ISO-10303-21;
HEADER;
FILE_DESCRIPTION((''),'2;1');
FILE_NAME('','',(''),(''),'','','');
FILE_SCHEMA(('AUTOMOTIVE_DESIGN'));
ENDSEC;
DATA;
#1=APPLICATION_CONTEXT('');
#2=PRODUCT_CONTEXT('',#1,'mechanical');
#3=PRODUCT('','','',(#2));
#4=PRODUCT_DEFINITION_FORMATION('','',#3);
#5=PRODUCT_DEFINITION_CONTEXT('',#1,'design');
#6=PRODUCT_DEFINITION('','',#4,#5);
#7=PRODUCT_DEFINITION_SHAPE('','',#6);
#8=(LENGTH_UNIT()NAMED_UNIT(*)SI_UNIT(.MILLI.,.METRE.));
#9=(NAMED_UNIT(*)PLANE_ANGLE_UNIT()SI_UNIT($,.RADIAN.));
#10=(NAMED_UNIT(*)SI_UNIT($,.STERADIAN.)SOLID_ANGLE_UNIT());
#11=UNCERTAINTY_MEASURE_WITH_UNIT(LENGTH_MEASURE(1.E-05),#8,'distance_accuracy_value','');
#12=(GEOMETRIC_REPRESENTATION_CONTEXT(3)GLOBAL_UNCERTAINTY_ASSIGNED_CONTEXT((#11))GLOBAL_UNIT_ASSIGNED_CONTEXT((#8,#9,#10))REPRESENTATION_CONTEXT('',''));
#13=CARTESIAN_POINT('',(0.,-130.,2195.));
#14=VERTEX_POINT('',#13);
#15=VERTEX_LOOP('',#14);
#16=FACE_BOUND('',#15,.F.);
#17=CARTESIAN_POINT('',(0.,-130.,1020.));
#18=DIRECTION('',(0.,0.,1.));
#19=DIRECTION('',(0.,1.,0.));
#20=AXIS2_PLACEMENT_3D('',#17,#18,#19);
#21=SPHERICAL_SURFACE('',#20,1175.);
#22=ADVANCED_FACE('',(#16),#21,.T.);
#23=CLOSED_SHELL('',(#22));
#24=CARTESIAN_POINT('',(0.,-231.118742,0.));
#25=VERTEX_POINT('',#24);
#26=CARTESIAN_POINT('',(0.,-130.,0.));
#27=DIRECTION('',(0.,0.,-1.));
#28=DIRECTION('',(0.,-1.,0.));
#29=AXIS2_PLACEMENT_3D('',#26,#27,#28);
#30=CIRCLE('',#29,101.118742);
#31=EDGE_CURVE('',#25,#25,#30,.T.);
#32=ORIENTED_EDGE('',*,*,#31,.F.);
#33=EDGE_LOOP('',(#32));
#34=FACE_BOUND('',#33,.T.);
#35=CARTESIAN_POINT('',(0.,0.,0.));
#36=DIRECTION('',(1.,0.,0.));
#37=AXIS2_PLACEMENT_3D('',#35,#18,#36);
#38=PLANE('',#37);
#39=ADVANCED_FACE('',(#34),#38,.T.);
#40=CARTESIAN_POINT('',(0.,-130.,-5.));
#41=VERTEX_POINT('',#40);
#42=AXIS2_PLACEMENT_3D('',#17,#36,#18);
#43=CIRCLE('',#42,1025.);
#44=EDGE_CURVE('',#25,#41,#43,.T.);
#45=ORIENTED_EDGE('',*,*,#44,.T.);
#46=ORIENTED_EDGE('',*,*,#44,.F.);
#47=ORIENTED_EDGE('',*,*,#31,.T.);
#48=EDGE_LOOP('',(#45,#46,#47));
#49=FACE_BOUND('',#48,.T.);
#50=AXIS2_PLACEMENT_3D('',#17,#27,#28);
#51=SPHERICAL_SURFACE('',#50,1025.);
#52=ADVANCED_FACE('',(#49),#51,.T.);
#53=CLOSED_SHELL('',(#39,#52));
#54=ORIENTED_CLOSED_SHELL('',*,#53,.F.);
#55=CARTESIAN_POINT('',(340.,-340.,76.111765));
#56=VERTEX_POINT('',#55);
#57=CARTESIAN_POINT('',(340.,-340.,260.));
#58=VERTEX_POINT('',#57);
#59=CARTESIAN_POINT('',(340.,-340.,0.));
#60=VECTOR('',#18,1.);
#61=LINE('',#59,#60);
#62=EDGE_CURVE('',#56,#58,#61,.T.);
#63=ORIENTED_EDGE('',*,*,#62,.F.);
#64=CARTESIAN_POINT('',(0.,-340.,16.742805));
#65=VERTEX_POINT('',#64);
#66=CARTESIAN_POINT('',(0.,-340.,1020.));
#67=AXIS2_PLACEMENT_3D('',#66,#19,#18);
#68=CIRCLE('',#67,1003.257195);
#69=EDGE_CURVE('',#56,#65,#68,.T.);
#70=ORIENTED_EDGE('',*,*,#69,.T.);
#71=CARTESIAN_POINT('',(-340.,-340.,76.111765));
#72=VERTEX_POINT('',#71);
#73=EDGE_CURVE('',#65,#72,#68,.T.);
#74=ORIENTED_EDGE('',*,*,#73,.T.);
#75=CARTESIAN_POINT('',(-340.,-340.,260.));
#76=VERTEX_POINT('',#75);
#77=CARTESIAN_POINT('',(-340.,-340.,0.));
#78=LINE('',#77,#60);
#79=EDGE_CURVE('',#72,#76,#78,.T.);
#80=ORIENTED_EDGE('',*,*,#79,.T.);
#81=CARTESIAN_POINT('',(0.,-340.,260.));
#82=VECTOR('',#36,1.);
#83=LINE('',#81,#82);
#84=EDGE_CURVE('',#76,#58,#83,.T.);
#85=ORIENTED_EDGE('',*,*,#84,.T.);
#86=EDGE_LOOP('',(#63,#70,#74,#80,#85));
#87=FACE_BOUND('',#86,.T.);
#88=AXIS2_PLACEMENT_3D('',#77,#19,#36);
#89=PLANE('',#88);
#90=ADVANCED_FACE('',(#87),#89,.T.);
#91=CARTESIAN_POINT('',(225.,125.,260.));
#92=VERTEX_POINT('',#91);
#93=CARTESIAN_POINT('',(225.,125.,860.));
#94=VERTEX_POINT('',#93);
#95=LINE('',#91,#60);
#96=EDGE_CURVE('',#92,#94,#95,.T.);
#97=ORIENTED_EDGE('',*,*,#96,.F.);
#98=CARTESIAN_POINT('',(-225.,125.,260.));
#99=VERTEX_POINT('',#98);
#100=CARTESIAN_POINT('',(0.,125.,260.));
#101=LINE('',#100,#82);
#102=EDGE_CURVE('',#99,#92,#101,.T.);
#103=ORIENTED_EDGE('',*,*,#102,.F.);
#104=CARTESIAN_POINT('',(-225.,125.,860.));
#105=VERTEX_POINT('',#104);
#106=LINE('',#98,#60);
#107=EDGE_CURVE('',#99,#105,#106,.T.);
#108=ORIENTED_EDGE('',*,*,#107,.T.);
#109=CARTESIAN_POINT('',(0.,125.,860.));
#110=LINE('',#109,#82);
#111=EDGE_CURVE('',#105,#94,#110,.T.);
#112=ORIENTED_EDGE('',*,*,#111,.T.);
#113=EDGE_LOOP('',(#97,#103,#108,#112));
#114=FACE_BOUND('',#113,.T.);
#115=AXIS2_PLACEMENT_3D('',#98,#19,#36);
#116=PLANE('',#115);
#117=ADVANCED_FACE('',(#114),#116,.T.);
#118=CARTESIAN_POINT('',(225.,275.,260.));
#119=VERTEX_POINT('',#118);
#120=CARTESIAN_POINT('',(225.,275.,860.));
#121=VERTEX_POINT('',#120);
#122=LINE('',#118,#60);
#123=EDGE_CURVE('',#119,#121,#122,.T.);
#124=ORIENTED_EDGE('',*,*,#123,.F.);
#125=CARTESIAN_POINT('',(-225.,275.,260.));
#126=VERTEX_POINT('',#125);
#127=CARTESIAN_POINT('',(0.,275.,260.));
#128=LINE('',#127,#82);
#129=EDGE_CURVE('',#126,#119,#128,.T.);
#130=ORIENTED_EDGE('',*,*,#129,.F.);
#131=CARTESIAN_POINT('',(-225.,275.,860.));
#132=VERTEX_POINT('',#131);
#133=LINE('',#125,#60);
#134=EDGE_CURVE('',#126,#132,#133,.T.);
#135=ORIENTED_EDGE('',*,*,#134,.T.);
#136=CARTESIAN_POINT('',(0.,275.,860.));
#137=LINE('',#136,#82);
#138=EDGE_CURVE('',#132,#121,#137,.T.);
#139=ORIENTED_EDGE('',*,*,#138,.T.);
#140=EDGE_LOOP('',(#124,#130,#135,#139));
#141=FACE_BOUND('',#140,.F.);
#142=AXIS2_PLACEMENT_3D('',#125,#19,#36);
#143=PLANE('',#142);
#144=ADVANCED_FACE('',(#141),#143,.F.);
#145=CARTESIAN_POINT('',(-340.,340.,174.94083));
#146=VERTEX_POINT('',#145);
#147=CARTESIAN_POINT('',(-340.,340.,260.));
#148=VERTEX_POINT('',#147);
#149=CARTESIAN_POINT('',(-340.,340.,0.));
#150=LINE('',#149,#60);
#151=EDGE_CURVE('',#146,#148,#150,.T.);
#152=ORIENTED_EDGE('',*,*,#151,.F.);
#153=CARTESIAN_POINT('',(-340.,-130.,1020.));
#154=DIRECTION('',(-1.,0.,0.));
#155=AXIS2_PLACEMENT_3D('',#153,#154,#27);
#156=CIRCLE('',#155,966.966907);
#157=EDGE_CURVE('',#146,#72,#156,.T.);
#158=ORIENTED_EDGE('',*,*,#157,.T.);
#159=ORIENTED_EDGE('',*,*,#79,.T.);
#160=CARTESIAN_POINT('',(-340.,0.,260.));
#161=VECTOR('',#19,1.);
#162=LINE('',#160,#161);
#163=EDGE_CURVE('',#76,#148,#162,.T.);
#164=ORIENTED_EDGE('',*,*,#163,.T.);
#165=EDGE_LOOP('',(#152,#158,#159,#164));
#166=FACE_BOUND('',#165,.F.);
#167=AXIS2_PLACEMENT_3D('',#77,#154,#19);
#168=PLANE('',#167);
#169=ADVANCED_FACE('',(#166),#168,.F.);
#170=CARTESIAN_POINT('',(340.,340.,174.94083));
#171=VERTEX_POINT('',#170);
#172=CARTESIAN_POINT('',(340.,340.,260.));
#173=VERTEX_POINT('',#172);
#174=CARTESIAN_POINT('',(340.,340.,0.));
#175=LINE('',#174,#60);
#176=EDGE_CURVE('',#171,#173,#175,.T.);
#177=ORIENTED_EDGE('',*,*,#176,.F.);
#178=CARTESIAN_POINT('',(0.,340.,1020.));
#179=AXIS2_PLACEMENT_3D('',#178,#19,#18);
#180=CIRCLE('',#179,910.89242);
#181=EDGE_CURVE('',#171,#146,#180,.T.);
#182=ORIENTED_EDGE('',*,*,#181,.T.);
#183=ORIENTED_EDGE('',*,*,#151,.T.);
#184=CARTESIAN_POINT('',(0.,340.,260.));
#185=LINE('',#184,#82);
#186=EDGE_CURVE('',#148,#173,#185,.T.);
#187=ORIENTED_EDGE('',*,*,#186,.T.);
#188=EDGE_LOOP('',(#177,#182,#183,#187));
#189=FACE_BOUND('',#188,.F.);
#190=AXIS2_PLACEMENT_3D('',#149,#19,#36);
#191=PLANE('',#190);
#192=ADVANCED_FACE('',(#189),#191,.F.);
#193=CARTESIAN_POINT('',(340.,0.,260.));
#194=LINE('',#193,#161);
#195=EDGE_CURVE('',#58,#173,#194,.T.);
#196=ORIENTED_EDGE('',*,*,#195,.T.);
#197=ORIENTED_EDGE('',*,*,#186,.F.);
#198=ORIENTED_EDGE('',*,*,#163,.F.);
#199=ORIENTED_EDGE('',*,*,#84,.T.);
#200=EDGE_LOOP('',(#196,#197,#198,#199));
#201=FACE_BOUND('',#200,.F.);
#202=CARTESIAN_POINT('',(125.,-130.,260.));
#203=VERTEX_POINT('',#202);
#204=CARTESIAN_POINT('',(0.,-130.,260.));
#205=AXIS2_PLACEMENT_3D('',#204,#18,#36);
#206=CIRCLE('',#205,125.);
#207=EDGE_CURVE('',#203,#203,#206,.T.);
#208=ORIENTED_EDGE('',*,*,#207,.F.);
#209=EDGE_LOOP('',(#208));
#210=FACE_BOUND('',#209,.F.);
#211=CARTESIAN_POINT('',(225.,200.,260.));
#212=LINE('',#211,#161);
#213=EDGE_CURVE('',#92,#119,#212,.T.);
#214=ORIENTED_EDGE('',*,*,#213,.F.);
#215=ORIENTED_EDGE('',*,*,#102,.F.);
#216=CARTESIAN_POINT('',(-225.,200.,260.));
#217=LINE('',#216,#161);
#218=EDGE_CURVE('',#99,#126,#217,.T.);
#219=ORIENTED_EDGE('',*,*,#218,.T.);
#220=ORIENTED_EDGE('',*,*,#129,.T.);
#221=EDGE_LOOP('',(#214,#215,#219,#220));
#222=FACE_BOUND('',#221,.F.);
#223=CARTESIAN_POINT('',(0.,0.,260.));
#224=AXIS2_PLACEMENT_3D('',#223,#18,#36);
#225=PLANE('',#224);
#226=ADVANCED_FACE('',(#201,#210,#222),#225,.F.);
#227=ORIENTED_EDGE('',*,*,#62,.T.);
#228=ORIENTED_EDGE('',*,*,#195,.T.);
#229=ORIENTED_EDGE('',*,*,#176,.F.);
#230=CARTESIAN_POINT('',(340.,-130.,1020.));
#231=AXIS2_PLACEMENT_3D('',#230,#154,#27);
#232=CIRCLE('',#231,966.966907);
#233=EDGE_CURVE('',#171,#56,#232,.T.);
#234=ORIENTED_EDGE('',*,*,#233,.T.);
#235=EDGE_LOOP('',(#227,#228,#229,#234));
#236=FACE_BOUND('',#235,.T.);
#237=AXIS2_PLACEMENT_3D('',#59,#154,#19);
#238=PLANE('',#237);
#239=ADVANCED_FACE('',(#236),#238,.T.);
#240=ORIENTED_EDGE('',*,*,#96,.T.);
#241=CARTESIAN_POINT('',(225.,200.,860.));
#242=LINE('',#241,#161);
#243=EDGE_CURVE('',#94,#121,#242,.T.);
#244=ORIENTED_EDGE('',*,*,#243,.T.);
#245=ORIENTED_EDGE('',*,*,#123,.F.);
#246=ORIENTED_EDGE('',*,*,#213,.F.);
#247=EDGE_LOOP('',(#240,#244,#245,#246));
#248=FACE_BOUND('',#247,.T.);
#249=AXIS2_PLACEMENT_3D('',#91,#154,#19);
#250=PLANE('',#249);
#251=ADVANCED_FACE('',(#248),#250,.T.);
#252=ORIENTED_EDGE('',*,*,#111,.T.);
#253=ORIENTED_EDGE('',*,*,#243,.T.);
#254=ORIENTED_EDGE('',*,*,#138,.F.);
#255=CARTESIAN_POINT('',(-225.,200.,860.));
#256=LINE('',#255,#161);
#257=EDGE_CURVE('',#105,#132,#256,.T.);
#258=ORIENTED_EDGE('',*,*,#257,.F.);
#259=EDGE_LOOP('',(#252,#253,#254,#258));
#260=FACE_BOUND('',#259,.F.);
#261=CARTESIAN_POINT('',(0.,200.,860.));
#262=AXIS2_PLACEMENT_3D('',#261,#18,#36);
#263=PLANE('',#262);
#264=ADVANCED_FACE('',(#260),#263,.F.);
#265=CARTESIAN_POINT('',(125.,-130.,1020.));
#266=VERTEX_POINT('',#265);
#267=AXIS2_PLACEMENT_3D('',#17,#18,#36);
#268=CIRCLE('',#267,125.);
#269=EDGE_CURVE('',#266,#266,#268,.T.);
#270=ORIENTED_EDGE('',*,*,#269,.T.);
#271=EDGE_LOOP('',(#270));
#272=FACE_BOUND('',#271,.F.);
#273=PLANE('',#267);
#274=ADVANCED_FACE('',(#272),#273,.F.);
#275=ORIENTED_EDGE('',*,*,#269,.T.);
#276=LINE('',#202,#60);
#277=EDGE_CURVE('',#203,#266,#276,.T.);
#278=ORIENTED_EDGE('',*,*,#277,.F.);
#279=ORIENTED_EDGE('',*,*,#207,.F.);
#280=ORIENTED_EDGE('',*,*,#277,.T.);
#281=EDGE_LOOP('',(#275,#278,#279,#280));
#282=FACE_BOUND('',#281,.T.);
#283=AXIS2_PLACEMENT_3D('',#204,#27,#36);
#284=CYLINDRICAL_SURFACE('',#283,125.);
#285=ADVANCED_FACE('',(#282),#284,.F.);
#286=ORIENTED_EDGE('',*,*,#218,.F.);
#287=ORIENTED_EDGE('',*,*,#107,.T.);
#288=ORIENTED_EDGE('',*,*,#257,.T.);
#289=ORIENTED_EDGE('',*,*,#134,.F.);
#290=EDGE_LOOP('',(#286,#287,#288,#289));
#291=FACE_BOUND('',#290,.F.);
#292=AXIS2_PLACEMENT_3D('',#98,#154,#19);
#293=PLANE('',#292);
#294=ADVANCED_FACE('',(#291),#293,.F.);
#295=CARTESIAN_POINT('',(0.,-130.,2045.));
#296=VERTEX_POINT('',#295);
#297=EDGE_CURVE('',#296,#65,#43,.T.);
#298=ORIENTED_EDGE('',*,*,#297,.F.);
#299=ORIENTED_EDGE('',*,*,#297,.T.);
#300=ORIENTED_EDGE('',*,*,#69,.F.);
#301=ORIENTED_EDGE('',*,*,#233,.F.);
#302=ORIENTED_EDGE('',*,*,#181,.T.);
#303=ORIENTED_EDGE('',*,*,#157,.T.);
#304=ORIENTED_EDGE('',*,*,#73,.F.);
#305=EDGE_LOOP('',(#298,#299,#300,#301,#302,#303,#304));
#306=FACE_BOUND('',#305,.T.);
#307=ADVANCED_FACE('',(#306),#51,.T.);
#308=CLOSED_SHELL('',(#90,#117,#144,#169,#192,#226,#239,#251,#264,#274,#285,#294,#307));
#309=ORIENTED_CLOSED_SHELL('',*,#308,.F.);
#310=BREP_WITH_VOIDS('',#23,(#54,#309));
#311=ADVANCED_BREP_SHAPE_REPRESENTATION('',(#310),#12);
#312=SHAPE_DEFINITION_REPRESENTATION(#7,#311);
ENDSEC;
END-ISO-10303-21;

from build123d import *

# Parameters (mm, degrees)
F0_W     = 680
F0_H     = 680
F1_DEPTH = 260
F2_R     = 125
F3_DEPTH = 760
F2_W     = 450
F2_H     = 150
F4_DEPTH = 600


with BuildPart() as f1:
    # F0 (on Top) → F1 (new body)
    with BuildSketch(Plane.XY):
        Rectangle(F0_W, F0_H)
    extrude(amount=F1_DEPTH)

    # F2 (on face) → F3 (join)
    with BuildSketch(Plane.XY.offset(260)):
        with Locations((0, -130)):
            Circle(F2_R)
    extrude(amount=F3_DEPTH)

    # F2 (on face) → F4 (join)
    with BuildSketch(Plane.XY.offset(260)):
        with Locations((0, 200)):
            Rectangle(F2_W, F2_H)
    extrude(amount=F4_DEPTH)

    # F5 (on Right) → F6 (revolve)
    with BuildSketch(Plane.YZ):
        with BuildLine():
            ThreePointArc((-130, 125), (765, 1020), (-130, 1915))
            Line((-130, 1915), (-130, 125))
        make_face()
        with BuildLine():
            Line((-130, 2195), (-130, 2045))
            Line((-130, 2045), (-130, 1915))
            ThreePointArc((-130, 1915), (765, 1020), (-130, 125))
            Line((-130, 125), (-130, -5))
            Line((-130, -5), (-130, -155))
            ThreePointArc((-130, -155), (1045, 1020), (-130, 2195))
        make_face()
        with BuildLine():
            Line((-130, 1915), (-130, 2045))
            ThreePointArc((-130, 2045), (-1155, 1020), (-130, -5))
            Line((-130, -5), (-130, 125))
            Line((-130, 125), (-130, 1915))
        make_face()
    revolve(axis=Axis((0, -130, 1020), (0, 0, -1)))


solid = f1.part
